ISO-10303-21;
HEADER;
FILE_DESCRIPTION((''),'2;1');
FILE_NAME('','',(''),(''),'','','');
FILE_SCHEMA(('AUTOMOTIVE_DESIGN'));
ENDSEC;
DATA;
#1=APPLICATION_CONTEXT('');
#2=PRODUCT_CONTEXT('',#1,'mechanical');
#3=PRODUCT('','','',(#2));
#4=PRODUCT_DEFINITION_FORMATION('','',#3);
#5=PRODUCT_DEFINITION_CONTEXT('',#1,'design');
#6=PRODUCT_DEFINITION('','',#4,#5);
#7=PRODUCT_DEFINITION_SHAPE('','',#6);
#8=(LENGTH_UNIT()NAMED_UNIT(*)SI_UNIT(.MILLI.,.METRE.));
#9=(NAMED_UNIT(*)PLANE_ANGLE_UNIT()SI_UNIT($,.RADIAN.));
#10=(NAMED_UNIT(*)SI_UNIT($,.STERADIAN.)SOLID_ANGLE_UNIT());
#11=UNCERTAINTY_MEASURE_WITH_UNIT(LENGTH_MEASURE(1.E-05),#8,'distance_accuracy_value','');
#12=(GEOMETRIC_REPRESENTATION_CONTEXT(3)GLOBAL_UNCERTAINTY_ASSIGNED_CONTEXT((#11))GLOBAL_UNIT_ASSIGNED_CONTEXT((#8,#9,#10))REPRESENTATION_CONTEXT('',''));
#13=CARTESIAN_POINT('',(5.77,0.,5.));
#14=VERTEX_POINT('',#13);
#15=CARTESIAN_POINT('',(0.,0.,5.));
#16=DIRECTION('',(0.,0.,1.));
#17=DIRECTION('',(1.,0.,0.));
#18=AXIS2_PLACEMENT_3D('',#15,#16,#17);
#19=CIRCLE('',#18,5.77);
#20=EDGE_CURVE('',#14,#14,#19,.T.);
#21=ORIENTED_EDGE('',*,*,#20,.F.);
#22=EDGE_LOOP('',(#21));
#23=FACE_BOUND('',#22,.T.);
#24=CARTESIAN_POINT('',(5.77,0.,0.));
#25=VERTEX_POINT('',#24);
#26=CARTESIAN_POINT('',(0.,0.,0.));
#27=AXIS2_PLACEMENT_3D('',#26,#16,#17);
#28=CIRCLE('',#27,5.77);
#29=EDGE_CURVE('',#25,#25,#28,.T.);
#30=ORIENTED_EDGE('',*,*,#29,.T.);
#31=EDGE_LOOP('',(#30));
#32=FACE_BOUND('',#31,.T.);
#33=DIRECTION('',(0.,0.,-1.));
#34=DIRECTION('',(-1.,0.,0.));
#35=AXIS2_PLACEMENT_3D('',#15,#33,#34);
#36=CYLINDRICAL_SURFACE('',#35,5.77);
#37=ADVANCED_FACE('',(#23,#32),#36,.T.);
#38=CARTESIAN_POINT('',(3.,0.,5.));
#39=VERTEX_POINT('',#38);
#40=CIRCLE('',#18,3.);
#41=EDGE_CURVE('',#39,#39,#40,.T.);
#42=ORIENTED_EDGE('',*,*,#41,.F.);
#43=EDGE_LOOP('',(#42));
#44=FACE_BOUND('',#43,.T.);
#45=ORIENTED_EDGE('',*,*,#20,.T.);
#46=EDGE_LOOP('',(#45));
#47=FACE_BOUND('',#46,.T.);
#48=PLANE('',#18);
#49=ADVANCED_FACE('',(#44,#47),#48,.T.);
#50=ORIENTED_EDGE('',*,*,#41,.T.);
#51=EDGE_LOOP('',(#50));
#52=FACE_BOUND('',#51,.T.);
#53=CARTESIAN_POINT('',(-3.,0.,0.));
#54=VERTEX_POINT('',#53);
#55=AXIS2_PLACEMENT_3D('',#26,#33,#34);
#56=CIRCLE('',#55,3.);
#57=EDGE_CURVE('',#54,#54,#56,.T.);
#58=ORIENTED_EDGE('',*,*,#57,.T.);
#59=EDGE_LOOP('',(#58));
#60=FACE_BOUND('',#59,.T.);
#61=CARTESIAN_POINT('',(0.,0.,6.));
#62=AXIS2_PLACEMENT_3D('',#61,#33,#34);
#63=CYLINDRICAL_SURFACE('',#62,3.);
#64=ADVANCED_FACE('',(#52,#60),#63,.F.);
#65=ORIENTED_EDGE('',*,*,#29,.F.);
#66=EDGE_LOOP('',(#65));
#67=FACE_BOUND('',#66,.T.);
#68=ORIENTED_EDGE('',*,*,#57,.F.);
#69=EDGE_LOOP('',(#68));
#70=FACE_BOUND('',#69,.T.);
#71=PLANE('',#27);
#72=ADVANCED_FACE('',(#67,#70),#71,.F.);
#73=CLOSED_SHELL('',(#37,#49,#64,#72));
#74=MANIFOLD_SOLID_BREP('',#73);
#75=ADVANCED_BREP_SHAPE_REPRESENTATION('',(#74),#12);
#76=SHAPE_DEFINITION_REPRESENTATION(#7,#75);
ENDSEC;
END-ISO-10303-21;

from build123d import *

# Parameters (mm, degrees)
SKETCH_1_R          = 5.77
EXTRUDE_1_DEPTH     = 5
SKETCH_2_R          = 3
CUT_EXTRUDE_1_DEPTH = 6


with BuildPart() as part:
    # 草图1 → 凸台-拉伸1 (new body)
    with BuildSketch(Plane.XY):
        Circle(SKETCH_1_R)
    extrude(amount=EXTRUDE_1_DEPTH)

    # 草图2 → 切除-拉伸1 (cut)
    with BuildSketch(Plane(origin=(0, 0, 0), x_dir=(-1, 0, 0), z_dir=(0, 0, -1))):
        Circle(SKETCH_2_R)
    extrude(amount=-CUT_EXTRUDE_1_DEPTH, mode=Mode.SUBTRACT)


solid = part.part
